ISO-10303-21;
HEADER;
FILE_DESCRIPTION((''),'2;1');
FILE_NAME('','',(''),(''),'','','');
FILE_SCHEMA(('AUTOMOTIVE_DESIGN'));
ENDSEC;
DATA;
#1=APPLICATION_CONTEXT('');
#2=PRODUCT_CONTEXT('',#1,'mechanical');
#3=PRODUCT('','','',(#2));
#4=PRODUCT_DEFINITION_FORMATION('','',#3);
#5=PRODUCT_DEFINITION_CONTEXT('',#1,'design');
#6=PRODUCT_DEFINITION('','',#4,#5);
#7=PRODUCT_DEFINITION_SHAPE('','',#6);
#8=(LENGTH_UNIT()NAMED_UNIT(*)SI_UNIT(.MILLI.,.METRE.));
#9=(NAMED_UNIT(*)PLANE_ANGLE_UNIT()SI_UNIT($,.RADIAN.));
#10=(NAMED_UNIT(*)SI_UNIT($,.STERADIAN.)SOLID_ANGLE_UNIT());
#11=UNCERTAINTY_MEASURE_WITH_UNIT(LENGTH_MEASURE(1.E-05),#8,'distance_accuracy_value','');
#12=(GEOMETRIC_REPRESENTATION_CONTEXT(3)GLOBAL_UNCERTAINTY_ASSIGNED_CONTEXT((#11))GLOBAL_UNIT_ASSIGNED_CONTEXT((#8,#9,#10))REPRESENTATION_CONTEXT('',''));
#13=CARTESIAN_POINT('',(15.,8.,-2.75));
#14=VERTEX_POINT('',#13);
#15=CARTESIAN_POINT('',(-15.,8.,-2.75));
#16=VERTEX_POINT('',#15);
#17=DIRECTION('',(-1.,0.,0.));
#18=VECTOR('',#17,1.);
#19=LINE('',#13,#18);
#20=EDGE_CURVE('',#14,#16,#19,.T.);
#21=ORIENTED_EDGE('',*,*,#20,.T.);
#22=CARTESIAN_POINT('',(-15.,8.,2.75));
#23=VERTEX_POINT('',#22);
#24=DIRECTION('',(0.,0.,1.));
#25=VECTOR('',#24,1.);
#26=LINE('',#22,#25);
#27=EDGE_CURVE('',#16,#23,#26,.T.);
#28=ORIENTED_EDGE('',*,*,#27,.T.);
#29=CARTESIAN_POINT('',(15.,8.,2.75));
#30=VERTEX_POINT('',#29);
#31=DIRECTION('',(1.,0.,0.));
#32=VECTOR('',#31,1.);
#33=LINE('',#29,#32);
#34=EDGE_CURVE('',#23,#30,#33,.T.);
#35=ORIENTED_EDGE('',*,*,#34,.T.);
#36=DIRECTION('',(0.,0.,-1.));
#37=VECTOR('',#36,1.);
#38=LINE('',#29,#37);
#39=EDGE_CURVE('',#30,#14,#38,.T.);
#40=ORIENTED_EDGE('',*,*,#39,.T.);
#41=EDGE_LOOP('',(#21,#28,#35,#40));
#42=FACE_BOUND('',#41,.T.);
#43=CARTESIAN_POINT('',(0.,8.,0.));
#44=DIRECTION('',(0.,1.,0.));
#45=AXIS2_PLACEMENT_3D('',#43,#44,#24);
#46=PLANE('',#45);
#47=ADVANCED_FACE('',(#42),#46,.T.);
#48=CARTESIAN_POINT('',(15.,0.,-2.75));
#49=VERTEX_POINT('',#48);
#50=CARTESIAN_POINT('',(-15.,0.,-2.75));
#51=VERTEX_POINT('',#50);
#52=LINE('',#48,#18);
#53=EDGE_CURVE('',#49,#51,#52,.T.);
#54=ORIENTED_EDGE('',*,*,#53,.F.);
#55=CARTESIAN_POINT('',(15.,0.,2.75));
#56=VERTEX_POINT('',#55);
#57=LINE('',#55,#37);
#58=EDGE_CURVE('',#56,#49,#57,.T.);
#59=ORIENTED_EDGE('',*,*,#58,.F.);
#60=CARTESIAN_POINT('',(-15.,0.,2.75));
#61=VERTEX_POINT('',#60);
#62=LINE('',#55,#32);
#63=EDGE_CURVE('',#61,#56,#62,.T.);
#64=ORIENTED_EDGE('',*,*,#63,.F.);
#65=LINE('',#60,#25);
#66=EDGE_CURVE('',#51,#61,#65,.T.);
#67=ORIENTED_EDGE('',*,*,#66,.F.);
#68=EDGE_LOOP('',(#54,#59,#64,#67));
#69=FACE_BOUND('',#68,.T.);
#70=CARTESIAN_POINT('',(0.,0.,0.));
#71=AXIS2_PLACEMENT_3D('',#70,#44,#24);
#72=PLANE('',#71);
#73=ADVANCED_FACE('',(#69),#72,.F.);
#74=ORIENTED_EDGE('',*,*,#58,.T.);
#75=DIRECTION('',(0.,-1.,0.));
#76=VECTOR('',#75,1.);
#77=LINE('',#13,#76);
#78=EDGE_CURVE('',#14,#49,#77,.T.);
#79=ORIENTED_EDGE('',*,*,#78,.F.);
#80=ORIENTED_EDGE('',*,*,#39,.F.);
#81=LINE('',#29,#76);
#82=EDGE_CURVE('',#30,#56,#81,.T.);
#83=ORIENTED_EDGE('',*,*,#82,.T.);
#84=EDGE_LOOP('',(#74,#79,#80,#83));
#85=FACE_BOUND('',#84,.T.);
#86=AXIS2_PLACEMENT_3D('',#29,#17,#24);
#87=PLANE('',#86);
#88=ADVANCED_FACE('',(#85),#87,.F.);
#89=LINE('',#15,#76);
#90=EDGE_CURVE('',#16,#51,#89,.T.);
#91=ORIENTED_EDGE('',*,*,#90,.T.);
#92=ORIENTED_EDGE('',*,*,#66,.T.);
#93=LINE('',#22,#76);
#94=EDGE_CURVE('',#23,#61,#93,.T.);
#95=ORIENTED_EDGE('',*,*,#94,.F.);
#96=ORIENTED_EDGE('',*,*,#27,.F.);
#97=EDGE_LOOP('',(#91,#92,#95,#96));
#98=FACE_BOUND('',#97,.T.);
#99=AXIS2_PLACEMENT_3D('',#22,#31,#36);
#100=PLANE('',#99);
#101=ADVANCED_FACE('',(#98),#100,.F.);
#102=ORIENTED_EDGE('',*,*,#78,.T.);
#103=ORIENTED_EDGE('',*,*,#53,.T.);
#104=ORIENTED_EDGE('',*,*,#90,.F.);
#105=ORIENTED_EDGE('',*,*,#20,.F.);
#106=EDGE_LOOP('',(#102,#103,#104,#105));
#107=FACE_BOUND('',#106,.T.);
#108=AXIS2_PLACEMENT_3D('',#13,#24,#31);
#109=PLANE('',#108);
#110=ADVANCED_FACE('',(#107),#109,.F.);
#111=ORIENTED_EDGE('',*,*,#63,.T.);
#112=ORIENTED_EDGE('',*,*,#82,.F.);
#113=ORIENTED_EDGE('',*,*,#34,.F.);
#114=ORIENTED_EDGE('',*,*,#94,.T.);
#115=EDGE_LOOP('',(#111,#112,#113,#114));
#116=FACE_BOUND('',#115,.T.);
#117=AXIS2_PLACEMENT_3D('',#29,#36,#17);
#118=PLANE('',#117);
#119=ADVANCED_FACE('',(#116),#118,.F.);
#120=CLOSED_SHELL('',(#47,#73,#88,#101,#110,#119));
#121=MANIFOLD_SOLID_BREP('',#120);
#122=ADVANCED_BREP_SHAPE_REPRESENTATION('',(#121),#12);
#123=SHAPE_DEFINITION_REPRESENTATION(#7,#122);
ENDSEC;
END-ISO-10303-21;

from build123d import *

# Parameters (mm, degrees)
SKETCH_1_W      = 30
SKETCH_1_H      = 5.5
EXTRUDE_1_DEPTH = 8


with BuildPart() as part:
    # 草图1 → 凸台-拉伸1 (new body)
    with BuildSketch(Plane(origin=(0, 0, 0), x_dir=(1, 0, 0), z_dir=(0, 1, 0))):
        Rectangle(SKETCH_1_W, SKETCH_1_H)
    extrude(amount=EXTRUDE_1_DEPTH)


solid = part.part
